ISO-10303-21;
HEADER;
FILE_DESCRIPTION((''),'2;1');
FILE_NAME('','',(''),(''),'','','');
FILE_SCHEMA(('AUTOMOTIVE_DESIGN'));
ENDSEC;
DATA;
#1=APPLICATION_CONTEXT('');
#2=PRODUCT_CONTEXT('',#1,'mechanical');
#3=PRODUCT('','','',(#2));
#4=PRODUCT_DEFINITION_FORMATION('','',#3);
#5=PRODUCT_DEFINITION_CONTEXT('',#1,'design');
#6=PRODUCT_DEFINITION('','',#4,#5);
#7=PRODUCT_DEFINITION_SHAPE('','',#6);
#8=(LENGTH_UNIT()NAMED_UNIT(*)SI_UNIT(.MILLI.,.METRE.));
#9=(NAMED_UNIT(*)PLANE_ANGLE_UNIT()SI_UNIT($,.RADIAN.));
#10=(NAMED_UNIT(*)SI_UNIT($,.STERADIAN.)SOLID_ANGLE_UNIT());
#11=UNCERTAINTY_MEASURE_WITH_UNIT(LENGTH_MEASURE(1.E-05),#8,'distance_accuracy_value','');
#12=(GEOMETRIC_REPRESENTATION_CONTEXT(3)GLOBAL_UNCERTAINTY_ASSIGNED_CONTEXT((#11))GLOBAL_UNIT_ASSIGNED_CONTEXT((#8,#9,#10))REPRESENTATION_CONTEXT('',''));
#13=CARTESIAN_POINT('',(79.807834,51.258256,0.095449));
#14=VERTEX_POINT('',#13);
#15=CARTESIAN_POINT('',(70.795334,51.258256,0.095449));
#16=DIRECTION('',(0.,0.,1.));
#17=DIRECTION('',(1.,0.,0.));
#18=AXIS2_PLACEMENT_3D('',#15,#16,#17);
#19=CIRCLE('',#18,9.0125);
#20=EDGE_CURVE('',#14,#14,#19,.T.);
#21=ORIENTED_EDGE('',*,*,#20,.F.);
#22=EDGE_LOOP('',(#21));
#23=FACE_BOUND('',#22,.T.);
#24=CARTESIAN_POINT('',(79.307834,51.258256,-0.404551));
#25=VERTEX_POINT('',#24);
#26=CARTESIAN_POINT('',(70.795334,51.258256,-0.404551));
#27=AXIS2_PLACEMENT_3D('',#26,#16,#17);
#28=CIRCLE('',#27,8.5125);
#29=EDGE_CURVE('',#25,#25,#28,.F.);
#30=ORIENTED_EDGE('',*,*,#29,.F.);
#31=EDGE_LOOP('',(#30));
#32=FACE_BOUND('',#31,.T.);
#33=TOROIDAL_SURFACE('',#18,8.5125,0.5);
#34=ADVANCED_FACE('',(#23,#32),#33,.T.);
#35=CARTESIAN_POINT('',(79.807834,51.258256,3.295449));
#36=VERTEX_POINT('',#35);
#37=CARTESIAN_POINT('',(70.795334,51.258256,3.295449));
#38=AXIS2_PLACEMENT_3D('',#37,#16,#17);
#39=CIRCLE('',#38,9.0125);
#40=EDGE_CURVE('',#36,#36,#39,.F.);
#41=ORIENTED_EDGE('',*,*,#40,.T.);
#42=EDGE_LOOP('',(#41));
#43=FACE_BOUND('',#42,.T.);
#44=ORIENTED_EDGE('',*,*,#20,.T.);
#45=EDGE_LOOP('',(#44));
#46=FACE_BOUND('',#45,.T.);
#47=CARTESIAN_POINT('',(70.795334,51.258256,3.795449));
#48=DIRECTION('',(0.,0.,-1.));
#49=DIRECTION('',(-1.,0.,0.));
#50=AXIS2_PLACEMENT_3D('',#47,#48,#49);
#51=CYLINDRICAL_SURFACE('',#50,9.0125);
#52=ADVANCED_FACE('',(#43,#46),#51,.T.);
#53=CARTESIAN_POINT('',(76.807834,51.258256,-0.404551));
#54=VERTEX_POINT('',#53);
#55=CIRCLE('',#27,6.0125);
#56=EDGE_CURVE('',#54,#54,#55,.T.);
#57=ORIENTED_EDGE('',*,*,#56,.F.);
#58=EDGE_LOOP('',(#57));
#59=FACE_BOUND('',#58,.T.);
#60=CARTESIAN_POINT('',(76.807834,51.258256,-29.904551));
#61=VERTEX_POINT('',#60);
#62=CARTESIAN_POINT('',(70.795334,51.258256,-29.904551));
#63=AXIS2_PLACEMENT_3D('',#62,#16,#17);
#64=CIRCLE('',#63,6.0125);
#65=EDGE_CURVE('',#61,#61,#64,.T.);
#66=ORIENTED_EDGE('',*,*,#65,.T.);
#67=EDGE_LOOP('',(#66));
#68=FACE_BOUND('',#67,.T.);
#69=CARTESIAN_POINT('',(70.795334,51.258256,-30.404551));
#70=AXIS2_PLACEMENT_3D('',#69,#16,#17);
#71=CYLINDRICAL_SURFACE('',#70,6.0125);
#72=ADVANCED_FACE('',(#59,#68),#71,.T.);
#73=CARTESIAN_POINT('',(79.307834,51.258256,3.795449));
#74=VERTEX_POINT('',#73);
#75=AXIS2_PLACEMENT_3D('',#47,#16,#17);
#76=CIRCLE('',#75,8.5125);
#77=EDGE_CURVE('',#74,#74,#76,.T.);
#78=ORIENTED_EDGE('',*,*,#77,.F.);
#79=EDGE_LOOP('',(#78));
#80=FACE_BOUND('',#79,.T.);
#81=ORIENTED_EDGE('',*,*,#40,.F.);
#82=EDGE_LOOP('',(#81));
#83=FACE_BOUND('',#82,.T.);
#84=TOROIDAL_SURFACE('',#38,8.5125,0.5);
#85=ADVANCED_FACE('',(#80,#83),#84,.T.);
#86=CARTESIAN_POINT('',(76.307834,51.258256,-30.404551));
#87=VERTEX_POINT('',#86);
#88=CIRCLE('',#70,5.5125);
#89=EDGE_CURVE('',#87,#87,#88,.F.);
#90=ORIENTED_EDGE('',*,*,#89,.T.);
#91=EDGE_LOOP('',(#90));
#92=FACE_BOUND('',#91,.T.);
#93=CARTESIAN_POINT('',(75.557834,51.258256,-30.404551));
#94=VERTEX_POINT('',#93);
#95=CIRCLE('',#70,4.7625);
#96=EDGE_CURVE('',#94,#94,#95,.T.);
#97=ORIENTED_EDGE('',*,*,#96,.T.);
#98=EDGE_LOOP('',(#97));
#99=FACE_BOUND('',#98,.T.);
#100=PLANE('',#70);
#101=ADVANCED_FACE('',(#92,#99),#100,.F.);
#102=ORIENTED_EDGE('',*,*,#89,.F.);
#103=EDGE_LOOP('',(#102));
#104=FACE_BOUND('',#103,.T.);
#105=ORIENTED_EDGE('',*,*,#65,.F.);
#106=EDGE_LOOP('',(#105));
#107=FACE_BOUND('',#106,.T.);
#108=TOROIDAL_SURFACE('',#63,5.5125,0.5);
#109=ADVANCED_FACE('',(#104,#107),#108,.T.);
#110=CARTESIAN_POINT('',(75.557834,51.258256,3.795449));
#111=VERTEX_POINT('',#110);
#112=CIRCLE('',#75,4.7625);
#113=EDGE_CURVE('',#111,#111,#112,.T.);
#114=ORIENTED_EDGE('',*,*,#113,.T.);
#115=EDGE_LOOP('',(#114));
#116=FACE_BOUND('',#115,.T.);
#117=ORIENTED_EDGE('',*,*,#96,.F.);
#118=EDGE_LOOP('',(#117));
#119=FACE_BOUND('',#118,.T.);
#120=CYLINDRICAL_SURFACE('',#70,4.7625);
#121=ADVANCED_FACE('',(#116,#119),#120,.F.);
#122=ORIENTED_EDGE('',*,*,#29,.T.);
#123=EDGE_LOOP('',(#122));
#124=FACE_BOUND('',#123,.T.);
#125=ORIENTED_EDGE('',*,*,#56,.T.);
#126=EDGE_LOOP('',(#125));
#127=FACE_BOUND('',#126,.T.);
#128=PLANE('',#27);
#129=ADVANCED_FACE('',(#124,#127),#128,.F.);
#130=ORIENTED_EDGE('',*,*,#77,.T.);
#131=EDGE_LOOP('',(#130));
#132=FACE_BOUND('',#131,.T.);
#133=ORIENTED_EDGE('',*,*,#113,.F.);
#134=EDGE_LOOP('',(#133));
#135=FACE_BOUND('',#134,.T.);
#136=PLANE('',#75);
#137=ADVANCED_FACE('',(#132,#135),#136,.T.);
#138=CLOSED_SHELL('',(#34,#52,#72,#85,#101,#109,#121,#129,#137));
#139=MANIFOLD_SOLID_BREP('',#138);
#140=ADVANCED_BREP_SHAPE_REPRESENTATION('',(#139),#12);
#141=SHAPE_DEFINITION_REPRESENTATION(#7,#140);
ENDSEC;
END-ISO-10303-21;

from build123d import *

# Parameters (mm, degrees)
RESSALTO_EXTRUS_O1_DEPTH      = 4.2
RESSALTO_EXTRUS_O1_DEPTH_BACK = 30
ESBO_O1_R                     = 6.0125
ESBO_O1_R_2                   = 4.7625
ESBO_O2_R                     = 9.0125
ESBO_O2_R_2                   = 6.0125
RESSALTO_EXTRUS_O2_DEPTH      = 4.2
FILETE2_R                     = 0.5


with BuildPart() as part:
    # Esboço1 → Ressalto-extrusão1 (new, two sides: drawn at the far end of the back side and taken through both)
    with BuildSketch(Plane.XY.offset(-0.404551317).offset(-RESSALTO_EXTRUS_O1_DEPTH_BACK)):
        with Locations((70.795334041, 51.25825559)):
            Circle(ESBO_O1_R)
        with Locations((70.795334041, 51.25825559)):
            Circle(ESBO_O1_R_2, mode=Mode.SUBTRACT)
    extrude(amount=RESSALTO_EXTRUS_O1_DEPTH + RESSALTO_EXTRUS_O1_DEPTH_BACK)

    # Esboço2 → Ressalto-extrusão2 (add)
    with BuildSketch(Plane.XY.offset(-0.404551317)):
        with Locations((70.795334041, 51.25825559)):
            Circle(ESBO_O2_R)
        with Locations((70.795334041, 51.25825559)):
            Circle(ESBO_O2_R_2, mode=Mode.SUBTRACT)
    extrude(amount=RESSALTO_EXTRUS_O2_DEPTH)

    # Filete2
    filete2_edges = [part.edges().sort_by_distance(p)[0] for p in [
        (61.782834041, 51.25825559, 3.795448683),
        (61.782834041, 51.25825559, -0.404551317),
        (64.782834041, 51.25825559, -30.404551317),
    ]]
    fillet(filete2_edges, radius=FILETE2_R)


solid = part.part
